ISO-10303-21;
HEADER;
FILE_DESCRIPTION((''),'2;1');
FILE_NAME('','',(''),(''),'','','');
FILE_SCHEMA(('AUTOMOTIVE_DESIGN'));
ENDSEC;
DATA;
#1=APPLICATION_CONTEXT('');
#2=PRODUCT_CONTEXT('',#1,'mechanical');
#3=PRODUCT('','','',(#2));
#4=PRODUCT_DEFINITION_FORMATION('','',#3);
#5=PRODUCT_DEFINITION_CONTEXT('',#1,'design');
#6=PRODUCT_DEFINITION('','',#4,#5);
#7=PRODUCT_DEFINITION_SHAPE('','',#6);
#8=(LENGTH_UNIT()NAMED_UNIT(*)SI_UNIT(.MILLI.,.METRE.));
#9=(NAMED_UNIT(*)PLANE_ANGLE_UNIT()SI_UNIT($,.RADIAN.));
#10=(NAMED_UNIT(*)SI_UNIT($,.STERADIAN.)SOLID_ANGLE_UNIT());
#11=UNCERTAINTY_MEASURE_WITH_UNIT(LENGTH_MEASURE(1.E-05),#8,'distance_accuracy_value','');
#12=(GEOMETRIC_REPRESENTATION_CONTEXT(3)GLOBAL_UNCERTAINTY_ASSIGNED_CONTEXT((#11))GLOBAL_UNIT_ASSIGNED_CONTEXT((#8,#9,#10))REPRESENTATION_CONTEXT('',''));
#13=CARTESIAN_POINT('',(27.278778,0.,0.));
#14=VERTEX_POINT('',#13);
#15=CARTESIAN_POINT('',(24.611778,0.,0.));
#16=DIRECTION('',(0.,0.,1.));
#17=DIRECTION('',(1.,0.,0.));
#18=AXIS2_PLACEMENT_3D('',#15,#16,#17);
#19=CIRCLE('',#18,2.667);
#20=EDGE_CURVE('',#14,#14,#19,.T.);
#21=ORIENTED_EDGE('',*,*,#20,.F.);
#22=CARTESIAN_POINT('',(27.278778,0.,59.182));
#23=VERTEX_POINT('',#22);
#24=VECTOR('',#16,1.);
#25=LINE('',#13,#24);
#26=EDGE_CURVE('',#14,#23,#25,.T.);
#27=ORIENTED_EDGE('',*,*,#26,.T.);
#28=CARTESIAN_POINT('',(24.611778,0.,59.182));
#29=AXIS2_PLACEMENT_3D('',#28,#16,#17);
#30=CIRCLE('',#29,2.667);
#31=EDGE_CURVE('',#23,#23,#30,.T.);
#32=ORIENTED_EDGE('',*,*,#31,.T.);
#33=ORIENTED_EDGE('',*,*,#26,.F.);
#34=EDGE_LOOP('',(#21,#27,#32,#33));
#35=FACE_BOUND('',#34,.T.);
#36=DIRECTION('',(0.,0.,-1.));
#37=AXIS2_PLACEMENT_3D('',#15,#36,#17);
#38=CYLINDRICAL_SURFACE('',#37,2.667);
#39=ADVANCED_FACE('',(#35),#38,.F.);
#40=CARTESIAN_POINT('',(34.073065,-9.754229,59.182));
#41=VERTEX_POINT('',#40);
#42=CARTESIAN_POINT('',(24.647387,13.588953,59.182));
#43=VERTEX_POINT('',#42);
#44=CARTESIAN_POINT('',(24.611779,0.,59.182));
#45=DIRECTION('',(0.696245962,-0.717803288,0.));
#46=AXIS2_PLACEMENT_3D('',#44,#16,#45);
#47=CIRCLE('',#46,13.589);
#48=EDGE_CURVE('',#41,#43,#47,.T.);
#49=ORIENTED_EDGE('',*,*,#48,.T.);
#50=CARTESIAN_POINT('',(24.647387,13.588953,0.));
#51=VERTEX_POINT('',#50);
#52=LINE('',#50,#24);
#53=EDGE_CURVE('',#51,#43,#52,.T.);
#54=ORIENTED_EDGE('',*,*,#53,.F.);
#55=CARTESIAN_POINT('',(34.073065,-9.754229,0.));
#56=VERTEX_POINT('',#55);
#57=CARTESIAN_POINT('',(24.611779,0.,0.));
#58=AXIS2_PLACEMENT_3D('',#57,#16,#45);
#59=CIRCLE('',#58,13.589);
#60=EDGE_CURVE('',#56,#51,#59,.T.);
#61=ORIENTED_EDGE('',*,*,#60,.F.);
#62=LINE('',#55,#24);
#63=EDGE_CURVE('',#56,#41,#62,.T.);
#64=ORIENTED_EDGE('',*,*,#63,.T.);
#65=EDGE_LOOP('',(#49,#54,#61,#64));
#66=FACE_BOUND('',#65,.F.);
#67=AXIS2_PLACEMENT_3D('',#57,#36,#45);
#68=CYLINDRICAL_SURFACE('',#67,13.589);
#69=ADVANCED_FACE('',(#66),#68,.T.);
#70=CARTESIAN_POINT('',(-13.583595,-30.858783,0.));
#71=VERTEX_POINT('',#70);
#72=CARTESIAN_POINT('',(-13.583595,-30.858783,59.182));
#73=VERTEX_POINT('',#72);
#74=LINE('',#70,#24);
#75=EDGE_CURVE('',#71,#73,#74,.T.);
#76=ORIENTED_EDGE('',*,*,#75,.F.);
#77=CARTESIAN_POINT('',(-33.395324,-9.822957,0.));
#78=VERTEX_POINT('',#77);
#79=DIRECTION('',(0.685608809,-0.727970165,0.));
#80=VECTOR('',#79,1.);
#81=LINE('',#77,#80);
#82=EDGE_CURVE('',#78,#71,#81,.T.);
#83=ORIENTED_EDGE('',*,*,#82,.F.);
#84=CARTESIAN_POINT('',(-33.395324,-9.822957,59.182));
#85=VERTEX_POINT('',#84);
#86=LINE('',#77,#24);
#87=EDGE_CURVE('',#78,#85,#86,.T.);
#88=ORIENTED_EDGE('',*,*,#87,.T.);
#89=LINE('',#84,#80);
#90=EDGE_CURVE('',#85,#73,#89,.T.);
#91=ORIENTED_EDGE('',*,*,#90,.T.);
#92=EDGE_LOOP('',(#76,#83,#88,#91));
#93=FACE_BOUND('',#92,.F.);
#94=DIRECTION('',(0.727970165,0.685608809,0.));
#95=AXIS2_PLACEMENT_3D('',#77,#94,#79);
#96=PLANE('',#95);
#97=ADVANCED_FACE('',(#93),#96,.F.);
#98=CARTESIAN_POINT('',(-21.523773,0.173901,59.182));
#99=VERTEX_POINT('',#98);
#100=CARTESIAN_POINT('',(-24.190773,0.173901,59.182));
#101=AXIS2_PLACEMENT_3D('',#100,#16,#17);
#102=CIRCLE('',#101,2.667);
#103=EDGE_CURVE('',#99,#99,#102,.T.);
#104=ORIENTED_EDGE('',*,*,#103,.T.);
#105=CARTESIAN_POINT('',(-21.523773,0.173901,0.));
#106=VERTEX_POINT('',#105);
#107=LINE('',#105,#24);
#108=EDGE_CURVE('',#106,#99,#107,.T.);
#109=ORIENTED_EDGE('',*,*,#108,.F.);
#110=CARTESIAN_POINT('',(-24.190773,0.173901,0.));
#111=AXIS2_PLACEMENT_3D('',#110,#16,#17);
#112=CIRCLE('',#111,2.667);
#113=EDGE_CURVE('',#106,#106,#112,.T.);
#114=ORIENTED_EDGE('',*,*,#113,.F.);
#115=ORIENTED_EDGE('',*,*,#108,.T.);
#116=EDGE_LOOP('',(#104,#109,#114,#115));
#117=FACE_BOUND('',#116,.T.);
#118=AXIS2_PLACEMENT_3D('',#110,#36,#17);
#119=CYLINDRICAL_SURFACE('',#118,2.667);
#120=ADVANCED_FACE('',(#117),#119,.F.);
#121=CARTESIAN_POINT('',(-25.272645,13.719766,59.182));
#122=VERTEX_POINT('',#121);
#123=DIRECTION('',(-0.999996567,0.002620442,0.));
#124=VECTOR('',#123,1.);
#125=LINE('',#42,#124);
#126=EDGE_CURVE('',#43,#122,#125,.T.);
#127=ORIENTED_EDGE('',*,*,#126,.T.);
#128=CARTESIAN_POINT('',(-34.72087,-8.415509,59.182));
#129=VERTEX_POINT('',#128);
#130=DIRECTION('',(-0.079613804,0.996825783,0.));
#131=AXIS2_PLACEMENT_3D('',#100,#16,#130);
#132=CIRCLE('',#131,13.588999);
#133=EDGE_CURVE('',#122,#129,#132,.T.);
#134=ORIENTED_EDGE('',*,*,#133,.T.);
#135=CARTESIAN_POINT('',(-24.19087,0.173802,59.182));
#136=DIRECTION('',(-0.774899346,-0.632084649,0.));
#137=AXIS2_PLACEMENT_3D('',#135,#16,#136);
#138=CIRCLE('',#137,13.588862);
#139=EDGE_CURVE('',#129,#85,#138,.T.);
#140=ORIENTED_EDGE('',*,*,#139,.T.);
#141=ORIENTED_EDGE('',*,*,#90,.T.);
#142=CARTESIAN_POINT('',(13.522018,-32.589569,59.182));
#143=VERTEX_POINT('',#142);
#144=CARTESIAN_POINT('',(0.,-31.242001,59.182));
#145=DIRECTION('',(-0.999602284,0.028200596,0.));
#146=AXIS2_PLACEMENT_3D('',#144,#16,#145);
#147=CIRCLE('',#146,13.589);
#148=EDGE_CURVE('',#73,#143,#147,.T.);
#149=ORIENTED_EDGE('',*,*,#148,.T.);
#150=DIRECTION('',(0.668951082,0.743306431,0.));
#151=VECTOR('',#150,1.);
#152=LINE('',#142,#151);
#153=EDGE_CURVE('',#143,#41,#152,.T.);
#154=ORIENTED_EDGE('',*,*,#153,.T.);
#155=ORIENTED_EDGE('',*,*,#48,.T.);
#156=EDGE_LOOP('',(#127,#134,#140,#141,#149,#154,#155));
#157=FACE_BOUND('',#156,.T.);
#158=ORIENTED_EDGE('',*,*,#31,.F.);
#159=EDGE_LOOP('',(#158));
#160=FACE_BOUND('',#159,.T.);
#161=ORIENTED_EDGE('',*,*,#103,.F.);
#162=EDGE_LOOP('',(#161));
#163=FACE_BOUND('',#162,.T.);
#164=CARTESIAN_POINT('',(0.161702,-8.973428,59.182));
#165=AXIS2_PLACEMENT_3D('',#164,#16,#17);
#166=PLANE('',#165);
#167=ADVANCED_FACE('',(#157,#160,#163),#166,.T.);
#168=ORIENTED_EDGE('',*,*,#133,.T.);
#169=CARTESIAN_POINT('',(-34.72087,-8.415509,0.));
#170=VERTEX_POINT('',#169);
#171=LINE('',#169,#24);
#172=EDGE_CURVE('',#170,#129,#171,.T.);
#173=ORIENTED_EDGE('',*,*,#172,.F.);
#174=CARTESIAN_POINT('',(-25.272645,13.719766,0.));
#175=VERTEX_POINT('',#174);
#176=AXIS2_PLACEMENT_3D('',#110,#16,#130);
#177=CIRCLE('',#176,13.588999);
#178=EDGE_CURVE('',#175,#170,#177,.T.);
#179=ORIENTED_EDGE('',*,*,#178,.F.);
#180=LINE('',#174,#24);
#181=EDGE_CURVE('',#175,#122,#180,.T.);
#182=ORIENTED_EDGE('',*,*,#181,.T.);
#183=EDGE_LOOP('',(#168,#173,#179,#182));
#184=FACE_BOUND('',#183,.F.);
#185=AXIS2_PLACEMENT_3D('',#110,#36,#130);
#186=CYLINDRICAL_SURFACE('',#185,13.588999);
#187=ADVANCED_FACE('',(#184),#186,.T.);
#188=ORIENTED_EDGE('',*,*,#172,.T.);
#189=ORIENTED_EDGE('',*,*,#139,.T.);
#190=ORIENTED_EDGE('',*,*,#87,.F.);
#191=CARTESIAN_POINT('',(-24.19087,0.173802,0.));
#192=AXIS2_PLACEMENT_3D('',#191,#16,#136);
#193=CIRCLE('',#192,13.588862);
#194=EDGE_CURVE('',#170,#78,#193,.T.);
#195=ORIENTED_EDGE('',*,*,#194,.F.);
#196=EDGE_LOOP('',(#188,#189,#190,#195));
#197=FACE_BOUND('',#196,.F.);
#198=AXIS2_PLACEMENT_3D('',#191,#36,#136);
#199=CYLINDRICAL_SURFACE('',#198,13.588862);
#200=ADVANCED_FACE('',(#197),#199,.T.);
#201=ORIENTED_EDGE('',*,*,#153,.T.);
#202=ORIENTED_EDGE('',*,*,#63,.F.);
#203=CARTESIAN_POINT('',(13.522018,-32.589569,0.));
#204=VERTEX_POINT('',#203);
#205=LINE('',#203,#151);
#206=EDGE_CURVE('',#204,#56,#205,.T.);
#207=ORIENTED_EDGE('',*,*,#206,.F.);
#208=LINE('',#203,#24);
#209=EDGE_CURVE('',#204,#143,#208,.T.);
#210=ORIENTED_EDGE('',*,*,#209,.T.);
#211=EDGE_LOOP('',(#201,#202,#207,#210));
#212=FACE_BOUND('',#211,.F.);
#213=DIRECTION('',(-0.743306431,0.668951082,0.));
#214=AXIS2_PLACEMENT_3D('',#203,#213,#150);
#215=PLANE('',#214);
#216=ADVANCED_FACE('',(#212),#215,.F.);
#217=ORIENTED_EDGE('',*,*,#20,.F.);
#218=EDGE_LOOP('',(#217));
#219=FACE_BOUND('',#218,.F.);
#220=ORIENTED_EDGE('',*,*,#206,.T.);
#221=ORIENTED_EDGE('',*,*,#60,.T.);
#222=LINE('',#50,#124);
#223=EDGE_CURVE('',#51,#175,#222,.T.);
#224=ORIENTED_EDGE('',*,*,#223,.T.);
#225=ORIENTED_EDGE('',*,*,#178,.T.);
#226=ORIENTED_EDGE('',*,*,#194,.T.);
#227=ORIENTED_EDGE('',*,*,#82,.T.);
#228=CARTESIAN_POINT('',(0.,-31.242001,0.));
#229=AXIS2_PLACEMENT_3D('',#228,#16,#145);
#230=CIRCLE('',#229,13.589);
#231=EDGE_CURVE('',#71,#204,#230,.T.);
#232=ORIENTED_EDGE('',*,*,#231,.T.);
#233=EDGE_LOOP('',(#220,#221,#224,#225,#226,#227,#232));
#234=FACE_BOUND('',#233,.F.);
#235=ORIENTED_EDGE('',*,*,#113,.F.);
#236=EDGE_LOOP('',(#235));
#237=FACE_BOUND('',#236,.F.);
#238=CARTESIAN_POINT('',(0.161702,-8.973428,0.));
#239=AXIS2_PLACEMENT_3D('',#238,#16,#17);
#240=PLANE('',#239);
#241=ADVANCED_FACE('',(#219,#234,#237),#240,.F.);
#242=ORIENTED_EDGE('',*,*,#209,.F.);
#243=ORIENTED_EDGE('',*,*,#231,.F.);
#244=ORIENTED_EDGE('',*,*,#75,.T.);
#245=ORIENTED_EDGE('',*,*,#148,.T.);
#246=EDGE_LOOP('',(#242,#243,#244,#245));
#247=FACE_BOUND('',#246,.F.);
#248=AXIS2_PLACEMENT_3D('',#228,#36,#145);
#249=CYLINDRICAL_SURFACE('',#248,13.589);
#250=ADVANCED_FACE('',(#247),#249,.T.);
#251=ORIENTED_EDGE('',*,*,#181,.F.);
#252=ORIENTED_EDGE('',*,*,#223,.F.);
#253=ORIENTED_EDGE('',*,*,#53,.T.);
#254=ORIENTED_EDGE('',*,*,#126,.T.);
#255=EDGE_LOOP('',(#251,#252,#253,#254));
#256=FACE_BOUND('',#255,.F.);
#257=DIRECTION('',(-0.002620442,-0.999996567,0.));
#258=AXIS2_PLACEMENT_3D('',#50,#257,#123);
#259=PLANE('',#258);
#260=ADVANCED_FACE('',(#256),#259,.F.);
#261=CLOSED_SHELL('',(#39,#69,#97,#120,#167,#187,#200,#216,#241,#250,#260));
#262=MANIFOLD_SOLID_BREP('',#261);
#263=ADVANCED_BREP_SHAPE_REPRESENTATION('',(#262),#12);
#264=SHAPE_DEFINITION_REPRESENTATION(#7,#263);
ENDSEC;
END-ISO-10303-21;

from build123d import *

# Parameters (mm, degrees)
F0_R     = 2.667
F1_DEPTH = 59.182
F2_DEPTH = 59.182


with BuildPart() as f1:
    # F0 (on Top) → F1 (new body)
    with BuildSketch(Plane.XY):
        with BuildLine():
            Line((13.522018, -32.589569), (34.073065, -9.754229))
            ThreePointArc((34.073065, -9.754229), (37.212326, 5.087939), (24.647387, 13.588953))
            Line((24.647387, 13.588953), (-25.272645, 13.719766))
            ThreePointArc((-25.272645, 13.719766), (-36.688855, 5.508585), (-34.72087, -8.415509))
            Line((-34.72087, -8.415509), (-33.395324, -9.822957))
            Line((-33.395324, -9.822957), (-13.583595, -30.858783))
            ThreePointArc((-13.583595, -30.858783), (-0.86594, -44.803382), (13.522018, -32.589569))
        make_face()
        with Locations((-24.190773, 0.173901)):
            Circle(F0_R, mode=Mode.SUBTRACT)
        with Locations((24.611778, 0)):
            Circle(F0_R, mode=Mode.SUBTRACT)
    extrude(amount=F1_DEPTH)

    # F0 (on Top) → F2 (join)
    with BuildSketch(Plane.XY):
        with BuildLine():
            Line((13.522018, -32.589569), (34.073065, -9.754229))
            ThreePointArc((34.073065, -9.754229), (37.212326, 5.087939), (24.647387, 13.588953))
            Line((24.647387, 13.588953), (-25.272645, 13.719766))
            ThreePointArc((-25.272645, 13.719766), (-36.688855, 5.508585), (-34.72087, -8.415509))
            Line((-34.72087, -8.415509), (-33.395324, -9.822957))
            Line((-33.395324, -9.822957), (-13.583595, -30.858783))
            ThreePointArc((-13.583595, -30.858783), (-0.86594, -44.803382), (13.522018, -32.589569))
        make_face()
        with Locations((-24.190773, 0.173901)):
            Circle(F0_R, mode=Mode.SUBTRACT)
        with Locations((24.611778, 0)):
            Circle(F0_R, mode=Mode.SUBTRACT)
        with BuildLine():
            ThreePointArc((-34.72087, -8.415509), (-34.08316, -9.142837), (-33.395324, -9.822957))
            Line((-33.395324, -9.822957), (-34.72087, -8.415509))
        make_face()
    extrude(amount=F2_DEPTH)


solid = f1.part
